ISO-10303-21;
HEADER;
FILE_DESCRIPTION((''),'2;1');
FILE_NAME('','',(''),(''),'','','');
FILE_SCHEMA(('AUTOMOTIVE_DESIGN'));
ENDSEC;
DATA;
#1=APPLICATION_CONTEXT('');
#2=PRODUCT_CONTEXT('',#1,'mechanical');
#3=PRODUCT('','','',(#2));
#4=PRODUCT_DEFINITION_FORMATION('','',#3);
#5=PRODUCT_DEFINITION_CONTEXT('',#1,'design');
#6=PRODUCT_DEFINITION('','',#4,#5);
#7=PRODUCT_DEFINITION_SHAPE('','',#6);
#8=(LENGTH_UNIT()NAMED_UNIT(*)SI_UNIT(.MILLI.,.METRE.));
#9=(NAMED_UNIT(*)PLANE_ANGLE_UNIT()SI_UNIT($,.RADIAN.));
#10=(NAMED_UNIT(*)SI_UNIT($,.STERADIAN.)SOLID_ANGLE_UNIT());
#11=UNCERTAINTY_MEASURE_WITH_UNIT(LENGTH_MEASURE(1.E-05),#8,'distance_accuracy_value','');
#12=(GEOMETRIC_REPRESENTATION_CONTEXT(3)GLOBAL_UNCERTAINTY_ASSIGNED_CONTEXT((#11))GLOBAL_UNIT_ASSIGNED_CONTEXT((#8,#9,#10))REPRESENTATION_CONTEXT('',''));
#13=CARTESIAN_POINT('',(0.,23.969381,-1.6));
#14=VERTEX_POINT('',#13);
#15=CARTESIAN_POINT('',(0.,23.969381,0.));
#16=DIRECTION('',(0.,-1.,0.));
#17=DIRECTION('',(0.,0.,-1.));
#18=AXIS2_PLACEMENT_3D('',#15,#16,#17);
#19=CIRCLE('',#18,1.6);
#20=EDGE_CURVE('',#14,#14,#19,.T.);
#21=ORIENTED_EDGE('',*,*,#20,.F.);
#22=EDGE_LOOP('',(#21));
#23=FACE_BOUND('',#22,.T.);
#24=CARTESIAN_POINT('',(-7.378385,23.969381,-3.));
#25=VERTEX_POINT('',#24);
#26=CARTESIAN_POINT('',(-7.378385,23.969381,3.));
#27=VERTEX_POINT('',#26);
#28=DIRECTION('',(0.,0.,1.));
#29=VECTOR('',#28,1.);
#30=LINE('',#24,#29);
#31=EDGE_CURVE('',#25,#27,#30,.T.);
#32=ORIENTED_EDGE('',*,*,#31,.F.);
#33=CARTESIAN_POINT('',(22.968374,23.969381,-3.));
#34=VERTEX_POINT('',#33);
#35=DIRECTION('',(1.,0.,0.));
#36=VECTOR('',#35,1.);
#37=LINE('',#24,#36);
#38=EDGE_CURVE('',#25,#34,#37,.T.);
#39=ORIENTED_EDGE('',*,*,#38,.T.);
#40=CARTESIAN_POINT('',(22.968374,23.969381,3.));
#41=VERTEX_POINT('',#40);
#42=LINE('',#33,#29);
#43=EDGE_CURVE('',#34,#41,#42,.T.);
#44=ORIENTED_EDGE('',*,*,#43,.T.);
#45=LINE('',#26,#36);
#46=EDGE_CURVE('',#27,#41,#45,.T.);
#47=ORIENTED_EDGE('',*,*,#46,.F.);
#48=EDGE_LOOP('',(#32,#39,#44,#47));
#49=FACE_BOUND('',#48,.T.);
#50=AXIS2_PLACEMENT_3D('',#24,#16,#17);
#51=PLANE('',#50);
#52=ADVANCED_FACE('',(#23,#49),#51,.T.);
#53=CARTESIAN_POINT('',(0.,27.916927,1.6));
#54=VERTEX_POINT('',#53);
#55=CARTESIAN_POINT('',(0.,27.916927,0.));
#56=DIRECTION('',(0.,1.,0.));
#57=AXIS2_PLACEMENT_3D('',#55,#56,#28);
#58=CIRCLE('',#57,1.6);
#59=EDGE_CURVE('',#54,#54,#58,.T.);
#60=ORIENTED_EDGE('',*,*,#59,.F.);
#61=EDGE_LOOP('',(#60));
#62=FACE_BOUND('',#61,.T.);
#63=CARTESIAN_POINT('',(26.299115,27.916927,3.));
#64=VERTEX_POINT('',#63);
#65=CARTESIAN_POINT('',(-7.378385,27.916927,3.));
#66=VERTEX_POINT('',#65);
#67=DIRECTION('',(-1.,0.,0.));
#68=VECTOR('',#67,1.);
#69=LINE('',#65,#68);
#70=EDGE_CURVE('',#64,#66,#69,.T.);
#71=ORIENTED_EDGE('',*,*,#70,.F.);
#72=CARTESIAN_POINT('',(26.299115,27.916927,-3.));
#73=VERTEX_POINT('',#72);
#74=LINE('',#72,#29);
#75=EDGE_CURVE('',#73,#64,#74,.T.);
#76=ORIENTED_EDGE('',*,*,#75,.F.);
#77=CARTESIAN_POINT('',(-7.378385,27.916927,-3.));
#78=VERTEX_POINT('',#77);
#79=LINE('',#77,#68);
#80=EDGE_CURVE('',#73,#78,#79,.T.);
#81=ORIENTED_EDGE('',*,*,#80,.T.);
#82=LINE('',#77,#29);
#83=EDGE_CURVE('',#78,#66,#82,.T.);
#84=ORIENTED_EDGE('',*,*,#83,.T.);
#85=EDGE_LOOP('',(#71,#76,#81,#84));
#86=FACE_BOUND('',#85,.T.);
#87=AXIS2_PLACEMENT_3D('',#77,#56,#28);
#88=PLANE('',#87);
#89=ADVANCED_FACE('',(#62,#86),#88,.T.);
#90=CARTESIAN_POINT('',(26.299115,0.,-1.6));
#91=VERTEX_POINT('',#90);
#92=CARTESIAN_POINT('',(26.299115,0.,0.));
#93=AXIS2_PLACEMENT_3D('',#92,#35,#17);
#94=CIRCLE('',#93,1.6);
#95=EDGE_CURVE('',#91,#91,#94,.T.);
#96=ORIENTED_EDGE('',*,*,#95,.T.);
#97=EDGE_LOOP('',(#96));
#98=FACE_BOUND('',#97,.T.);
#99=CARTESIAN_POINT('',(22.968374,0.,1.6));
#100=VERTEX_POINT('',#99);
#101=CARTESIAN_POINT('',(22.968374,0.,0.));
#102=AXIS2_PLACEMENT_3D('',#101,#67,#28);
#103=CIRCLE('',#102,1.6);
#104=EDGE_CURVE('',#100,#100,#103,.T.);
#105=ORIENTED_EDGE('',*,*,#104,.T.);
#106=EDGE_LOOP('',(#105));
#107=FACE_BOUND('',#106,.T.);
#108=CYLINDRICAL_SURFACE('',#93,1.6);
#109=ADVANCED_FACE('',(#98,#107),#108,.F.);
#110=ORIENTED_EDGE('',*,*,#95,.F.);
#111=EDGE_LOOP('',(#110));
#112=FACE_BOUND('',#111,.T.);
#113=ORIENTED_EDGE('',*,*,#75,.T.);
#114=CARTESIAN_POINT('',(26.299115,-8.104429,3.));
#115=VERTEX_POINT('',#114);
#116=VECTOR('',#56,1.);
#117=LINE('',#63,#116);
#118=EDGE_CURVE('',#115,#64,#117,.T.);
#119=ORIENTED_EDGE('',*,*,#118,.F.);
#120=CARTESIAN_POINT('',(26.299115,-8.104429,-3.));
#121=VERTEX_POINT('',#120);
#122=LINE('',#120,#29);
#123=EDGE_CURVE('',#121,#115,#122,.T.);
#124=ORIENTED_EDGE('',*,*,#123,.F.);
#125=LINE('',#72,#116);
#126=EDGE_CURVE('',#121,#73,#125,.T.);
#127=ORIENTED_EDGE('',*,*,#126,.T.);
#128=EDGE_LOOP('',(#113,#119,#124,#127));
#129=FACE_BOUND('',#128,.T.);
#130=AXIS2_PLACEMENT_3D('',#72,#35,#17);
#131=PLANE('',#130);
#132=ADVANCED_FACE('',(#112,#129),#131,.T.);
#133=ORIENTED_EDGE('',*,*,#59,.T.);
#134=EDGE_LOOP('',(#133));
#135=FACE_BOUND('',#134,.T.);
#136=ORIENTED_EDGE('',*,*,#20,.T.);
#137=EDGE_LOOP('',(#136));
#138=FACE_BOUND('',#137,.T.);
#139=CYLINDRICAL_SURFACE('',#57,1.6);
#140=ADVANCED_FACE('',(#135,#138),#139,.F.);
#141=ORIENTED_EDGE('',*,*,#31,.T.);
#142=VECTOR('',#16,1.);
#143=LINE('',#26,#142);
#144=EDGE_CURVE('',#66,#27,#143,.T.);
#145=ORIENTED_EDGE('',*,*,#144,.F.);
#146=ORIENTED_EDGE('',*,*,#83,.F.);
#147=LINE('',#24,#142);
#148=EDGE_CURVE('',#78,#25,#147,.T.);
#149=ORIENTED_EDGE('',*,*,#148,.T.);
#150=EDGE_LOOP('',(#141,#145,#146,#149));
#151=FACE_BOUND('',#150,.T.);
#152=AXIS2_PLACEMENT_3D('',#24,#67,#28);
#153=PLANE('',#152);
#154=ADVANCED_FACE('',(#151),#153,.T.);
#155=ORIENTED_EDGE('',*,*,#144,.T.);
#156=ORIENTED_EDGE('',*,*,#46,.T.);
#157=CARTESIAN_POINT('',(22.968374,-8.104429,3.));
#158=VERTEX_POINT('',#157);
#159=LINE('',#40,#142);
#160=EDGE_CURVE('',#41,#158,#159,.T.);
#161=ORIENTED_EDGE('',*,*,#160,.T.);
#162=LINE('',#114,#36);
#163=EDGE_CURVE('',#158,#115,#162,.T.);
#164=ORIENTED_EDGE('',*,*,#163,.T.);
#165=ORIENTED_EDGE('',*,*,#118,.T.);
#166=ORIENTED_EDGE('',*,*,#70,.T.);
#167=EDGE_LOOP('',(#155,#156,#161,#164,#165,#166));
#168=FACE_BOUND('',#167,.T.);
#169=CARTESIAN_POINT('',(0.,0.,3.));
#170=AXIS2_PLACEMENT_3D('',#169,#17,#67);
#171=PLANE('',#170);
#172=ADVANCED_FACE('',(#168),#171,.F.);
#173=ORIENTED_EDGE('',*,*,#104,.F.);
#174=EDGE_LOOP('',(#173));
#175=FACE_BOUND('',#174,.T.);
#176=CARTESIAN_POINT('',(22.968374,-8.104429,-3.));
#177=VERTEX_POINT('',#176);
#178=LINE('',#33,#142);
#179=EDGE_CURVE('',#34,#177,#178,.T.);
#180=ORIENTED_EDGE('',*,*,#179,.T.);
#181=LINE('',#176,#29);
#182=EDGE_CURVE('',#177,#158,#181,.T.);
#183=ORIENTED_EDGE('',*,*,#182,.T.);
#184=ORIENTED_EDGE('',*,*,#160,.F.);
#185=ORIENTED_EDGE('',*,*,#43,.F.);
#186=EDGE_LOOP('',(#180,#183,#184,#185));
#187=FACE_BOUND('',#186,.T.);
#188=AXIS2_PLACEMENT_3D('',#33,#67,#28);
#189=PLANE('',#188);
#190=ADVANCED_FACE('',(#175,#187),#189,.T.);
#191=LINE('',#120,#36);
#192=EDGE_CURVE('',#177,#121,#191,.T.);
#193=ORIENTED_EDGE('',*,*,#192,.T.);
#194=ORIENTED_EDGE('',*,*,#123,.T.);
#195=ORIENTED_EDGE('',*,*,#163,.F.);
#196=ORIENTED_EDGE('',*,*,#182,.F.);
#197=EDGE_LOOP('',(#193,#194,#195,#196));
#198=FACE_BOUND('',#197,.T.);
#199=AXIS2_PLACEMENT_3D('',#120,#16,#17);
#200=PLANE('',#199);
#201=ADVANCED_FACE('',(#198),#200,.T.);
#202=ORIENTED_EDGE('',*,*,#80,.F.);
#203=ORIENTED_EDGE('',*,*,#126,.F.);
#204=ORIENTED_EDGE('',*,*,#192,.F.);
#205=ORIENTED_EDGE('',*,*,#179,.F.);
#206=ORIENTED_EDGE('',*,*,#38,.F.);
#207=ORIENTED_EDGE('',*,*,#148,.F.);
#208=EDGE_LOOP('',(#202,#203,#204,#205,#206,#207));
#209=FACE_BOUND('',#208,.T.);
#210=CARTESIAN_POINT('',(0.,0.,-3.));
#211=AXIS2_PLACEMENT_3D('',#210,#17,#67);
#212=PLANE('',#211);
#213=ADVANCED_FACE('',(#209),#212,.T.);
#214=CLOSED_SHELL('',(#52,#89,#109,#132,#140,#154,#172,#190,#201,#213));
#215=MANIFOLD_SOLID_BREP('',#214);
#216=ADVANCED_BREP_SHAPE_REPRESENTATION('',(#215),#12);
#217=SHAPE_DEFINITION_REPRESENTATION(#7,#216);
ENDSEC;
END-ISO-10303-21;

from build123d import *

# Parameters (mm, degrees)
BOSS_EXTRUDE1_DEPTH      = 3
BOSS_EXTRUDE1_DEPTH_BACK = 3
M3_CLEARANCE_HOLE1_D     = 3.2
M3_CLEARANCE_HOLE1_DEPTH = 3.947545897
M3_CLEARANCE_HOLE2_D     = 3.2
M3_CLEARANCE_HOLE2_DEPTH = 3.330741851


with BuildPart() as part:
    # Sketch1 → Boss-Extrude1 (new body, two sides)
    with BuildSketch(Plane.XY) as boss_extrude1_sk:
        Polygon((-7.378385455, 23.969381317), (22.968373629, 23.969381317), (22.968373629, -8.104429097), (26.29911548, -8.104429097), (26.29911548, 27.916927214), (-7.378385455, 27.916927214), align=None)
    extrude(amount=BOSS_EXTRUDE1_DEPTH)
    extrude(boss_extrude1_sk.sketch, amount=-BOSS_EXTRUDE1_DEPTH_BACK)

    # M3 Clearance Hole1
    with Locations(Plane(origin=(0, 27.916927214, 0), x_dir=(1, 0, 0), z_dir=(0, 1, 0))):
        with Locations((0, 0)):
            Hole(M3_CLEARANCE_HOLE1_D / 2, depth=M3_CLEARANCE_HOLE1_DEPTH)

    # M3 Clearance Hole2
    with Locations(Plane(origin=(26.29911548, 0, 0), x_dir=(0, 0, -1), z_dir=(1, 0, 0))):
        with Locations((0, 0)):
            Hole(M3_CLEARANCE_HOLE2_D / 2, depth=M3_CLEARANCE_HOLE2_DEPTH)


solid = part.part
